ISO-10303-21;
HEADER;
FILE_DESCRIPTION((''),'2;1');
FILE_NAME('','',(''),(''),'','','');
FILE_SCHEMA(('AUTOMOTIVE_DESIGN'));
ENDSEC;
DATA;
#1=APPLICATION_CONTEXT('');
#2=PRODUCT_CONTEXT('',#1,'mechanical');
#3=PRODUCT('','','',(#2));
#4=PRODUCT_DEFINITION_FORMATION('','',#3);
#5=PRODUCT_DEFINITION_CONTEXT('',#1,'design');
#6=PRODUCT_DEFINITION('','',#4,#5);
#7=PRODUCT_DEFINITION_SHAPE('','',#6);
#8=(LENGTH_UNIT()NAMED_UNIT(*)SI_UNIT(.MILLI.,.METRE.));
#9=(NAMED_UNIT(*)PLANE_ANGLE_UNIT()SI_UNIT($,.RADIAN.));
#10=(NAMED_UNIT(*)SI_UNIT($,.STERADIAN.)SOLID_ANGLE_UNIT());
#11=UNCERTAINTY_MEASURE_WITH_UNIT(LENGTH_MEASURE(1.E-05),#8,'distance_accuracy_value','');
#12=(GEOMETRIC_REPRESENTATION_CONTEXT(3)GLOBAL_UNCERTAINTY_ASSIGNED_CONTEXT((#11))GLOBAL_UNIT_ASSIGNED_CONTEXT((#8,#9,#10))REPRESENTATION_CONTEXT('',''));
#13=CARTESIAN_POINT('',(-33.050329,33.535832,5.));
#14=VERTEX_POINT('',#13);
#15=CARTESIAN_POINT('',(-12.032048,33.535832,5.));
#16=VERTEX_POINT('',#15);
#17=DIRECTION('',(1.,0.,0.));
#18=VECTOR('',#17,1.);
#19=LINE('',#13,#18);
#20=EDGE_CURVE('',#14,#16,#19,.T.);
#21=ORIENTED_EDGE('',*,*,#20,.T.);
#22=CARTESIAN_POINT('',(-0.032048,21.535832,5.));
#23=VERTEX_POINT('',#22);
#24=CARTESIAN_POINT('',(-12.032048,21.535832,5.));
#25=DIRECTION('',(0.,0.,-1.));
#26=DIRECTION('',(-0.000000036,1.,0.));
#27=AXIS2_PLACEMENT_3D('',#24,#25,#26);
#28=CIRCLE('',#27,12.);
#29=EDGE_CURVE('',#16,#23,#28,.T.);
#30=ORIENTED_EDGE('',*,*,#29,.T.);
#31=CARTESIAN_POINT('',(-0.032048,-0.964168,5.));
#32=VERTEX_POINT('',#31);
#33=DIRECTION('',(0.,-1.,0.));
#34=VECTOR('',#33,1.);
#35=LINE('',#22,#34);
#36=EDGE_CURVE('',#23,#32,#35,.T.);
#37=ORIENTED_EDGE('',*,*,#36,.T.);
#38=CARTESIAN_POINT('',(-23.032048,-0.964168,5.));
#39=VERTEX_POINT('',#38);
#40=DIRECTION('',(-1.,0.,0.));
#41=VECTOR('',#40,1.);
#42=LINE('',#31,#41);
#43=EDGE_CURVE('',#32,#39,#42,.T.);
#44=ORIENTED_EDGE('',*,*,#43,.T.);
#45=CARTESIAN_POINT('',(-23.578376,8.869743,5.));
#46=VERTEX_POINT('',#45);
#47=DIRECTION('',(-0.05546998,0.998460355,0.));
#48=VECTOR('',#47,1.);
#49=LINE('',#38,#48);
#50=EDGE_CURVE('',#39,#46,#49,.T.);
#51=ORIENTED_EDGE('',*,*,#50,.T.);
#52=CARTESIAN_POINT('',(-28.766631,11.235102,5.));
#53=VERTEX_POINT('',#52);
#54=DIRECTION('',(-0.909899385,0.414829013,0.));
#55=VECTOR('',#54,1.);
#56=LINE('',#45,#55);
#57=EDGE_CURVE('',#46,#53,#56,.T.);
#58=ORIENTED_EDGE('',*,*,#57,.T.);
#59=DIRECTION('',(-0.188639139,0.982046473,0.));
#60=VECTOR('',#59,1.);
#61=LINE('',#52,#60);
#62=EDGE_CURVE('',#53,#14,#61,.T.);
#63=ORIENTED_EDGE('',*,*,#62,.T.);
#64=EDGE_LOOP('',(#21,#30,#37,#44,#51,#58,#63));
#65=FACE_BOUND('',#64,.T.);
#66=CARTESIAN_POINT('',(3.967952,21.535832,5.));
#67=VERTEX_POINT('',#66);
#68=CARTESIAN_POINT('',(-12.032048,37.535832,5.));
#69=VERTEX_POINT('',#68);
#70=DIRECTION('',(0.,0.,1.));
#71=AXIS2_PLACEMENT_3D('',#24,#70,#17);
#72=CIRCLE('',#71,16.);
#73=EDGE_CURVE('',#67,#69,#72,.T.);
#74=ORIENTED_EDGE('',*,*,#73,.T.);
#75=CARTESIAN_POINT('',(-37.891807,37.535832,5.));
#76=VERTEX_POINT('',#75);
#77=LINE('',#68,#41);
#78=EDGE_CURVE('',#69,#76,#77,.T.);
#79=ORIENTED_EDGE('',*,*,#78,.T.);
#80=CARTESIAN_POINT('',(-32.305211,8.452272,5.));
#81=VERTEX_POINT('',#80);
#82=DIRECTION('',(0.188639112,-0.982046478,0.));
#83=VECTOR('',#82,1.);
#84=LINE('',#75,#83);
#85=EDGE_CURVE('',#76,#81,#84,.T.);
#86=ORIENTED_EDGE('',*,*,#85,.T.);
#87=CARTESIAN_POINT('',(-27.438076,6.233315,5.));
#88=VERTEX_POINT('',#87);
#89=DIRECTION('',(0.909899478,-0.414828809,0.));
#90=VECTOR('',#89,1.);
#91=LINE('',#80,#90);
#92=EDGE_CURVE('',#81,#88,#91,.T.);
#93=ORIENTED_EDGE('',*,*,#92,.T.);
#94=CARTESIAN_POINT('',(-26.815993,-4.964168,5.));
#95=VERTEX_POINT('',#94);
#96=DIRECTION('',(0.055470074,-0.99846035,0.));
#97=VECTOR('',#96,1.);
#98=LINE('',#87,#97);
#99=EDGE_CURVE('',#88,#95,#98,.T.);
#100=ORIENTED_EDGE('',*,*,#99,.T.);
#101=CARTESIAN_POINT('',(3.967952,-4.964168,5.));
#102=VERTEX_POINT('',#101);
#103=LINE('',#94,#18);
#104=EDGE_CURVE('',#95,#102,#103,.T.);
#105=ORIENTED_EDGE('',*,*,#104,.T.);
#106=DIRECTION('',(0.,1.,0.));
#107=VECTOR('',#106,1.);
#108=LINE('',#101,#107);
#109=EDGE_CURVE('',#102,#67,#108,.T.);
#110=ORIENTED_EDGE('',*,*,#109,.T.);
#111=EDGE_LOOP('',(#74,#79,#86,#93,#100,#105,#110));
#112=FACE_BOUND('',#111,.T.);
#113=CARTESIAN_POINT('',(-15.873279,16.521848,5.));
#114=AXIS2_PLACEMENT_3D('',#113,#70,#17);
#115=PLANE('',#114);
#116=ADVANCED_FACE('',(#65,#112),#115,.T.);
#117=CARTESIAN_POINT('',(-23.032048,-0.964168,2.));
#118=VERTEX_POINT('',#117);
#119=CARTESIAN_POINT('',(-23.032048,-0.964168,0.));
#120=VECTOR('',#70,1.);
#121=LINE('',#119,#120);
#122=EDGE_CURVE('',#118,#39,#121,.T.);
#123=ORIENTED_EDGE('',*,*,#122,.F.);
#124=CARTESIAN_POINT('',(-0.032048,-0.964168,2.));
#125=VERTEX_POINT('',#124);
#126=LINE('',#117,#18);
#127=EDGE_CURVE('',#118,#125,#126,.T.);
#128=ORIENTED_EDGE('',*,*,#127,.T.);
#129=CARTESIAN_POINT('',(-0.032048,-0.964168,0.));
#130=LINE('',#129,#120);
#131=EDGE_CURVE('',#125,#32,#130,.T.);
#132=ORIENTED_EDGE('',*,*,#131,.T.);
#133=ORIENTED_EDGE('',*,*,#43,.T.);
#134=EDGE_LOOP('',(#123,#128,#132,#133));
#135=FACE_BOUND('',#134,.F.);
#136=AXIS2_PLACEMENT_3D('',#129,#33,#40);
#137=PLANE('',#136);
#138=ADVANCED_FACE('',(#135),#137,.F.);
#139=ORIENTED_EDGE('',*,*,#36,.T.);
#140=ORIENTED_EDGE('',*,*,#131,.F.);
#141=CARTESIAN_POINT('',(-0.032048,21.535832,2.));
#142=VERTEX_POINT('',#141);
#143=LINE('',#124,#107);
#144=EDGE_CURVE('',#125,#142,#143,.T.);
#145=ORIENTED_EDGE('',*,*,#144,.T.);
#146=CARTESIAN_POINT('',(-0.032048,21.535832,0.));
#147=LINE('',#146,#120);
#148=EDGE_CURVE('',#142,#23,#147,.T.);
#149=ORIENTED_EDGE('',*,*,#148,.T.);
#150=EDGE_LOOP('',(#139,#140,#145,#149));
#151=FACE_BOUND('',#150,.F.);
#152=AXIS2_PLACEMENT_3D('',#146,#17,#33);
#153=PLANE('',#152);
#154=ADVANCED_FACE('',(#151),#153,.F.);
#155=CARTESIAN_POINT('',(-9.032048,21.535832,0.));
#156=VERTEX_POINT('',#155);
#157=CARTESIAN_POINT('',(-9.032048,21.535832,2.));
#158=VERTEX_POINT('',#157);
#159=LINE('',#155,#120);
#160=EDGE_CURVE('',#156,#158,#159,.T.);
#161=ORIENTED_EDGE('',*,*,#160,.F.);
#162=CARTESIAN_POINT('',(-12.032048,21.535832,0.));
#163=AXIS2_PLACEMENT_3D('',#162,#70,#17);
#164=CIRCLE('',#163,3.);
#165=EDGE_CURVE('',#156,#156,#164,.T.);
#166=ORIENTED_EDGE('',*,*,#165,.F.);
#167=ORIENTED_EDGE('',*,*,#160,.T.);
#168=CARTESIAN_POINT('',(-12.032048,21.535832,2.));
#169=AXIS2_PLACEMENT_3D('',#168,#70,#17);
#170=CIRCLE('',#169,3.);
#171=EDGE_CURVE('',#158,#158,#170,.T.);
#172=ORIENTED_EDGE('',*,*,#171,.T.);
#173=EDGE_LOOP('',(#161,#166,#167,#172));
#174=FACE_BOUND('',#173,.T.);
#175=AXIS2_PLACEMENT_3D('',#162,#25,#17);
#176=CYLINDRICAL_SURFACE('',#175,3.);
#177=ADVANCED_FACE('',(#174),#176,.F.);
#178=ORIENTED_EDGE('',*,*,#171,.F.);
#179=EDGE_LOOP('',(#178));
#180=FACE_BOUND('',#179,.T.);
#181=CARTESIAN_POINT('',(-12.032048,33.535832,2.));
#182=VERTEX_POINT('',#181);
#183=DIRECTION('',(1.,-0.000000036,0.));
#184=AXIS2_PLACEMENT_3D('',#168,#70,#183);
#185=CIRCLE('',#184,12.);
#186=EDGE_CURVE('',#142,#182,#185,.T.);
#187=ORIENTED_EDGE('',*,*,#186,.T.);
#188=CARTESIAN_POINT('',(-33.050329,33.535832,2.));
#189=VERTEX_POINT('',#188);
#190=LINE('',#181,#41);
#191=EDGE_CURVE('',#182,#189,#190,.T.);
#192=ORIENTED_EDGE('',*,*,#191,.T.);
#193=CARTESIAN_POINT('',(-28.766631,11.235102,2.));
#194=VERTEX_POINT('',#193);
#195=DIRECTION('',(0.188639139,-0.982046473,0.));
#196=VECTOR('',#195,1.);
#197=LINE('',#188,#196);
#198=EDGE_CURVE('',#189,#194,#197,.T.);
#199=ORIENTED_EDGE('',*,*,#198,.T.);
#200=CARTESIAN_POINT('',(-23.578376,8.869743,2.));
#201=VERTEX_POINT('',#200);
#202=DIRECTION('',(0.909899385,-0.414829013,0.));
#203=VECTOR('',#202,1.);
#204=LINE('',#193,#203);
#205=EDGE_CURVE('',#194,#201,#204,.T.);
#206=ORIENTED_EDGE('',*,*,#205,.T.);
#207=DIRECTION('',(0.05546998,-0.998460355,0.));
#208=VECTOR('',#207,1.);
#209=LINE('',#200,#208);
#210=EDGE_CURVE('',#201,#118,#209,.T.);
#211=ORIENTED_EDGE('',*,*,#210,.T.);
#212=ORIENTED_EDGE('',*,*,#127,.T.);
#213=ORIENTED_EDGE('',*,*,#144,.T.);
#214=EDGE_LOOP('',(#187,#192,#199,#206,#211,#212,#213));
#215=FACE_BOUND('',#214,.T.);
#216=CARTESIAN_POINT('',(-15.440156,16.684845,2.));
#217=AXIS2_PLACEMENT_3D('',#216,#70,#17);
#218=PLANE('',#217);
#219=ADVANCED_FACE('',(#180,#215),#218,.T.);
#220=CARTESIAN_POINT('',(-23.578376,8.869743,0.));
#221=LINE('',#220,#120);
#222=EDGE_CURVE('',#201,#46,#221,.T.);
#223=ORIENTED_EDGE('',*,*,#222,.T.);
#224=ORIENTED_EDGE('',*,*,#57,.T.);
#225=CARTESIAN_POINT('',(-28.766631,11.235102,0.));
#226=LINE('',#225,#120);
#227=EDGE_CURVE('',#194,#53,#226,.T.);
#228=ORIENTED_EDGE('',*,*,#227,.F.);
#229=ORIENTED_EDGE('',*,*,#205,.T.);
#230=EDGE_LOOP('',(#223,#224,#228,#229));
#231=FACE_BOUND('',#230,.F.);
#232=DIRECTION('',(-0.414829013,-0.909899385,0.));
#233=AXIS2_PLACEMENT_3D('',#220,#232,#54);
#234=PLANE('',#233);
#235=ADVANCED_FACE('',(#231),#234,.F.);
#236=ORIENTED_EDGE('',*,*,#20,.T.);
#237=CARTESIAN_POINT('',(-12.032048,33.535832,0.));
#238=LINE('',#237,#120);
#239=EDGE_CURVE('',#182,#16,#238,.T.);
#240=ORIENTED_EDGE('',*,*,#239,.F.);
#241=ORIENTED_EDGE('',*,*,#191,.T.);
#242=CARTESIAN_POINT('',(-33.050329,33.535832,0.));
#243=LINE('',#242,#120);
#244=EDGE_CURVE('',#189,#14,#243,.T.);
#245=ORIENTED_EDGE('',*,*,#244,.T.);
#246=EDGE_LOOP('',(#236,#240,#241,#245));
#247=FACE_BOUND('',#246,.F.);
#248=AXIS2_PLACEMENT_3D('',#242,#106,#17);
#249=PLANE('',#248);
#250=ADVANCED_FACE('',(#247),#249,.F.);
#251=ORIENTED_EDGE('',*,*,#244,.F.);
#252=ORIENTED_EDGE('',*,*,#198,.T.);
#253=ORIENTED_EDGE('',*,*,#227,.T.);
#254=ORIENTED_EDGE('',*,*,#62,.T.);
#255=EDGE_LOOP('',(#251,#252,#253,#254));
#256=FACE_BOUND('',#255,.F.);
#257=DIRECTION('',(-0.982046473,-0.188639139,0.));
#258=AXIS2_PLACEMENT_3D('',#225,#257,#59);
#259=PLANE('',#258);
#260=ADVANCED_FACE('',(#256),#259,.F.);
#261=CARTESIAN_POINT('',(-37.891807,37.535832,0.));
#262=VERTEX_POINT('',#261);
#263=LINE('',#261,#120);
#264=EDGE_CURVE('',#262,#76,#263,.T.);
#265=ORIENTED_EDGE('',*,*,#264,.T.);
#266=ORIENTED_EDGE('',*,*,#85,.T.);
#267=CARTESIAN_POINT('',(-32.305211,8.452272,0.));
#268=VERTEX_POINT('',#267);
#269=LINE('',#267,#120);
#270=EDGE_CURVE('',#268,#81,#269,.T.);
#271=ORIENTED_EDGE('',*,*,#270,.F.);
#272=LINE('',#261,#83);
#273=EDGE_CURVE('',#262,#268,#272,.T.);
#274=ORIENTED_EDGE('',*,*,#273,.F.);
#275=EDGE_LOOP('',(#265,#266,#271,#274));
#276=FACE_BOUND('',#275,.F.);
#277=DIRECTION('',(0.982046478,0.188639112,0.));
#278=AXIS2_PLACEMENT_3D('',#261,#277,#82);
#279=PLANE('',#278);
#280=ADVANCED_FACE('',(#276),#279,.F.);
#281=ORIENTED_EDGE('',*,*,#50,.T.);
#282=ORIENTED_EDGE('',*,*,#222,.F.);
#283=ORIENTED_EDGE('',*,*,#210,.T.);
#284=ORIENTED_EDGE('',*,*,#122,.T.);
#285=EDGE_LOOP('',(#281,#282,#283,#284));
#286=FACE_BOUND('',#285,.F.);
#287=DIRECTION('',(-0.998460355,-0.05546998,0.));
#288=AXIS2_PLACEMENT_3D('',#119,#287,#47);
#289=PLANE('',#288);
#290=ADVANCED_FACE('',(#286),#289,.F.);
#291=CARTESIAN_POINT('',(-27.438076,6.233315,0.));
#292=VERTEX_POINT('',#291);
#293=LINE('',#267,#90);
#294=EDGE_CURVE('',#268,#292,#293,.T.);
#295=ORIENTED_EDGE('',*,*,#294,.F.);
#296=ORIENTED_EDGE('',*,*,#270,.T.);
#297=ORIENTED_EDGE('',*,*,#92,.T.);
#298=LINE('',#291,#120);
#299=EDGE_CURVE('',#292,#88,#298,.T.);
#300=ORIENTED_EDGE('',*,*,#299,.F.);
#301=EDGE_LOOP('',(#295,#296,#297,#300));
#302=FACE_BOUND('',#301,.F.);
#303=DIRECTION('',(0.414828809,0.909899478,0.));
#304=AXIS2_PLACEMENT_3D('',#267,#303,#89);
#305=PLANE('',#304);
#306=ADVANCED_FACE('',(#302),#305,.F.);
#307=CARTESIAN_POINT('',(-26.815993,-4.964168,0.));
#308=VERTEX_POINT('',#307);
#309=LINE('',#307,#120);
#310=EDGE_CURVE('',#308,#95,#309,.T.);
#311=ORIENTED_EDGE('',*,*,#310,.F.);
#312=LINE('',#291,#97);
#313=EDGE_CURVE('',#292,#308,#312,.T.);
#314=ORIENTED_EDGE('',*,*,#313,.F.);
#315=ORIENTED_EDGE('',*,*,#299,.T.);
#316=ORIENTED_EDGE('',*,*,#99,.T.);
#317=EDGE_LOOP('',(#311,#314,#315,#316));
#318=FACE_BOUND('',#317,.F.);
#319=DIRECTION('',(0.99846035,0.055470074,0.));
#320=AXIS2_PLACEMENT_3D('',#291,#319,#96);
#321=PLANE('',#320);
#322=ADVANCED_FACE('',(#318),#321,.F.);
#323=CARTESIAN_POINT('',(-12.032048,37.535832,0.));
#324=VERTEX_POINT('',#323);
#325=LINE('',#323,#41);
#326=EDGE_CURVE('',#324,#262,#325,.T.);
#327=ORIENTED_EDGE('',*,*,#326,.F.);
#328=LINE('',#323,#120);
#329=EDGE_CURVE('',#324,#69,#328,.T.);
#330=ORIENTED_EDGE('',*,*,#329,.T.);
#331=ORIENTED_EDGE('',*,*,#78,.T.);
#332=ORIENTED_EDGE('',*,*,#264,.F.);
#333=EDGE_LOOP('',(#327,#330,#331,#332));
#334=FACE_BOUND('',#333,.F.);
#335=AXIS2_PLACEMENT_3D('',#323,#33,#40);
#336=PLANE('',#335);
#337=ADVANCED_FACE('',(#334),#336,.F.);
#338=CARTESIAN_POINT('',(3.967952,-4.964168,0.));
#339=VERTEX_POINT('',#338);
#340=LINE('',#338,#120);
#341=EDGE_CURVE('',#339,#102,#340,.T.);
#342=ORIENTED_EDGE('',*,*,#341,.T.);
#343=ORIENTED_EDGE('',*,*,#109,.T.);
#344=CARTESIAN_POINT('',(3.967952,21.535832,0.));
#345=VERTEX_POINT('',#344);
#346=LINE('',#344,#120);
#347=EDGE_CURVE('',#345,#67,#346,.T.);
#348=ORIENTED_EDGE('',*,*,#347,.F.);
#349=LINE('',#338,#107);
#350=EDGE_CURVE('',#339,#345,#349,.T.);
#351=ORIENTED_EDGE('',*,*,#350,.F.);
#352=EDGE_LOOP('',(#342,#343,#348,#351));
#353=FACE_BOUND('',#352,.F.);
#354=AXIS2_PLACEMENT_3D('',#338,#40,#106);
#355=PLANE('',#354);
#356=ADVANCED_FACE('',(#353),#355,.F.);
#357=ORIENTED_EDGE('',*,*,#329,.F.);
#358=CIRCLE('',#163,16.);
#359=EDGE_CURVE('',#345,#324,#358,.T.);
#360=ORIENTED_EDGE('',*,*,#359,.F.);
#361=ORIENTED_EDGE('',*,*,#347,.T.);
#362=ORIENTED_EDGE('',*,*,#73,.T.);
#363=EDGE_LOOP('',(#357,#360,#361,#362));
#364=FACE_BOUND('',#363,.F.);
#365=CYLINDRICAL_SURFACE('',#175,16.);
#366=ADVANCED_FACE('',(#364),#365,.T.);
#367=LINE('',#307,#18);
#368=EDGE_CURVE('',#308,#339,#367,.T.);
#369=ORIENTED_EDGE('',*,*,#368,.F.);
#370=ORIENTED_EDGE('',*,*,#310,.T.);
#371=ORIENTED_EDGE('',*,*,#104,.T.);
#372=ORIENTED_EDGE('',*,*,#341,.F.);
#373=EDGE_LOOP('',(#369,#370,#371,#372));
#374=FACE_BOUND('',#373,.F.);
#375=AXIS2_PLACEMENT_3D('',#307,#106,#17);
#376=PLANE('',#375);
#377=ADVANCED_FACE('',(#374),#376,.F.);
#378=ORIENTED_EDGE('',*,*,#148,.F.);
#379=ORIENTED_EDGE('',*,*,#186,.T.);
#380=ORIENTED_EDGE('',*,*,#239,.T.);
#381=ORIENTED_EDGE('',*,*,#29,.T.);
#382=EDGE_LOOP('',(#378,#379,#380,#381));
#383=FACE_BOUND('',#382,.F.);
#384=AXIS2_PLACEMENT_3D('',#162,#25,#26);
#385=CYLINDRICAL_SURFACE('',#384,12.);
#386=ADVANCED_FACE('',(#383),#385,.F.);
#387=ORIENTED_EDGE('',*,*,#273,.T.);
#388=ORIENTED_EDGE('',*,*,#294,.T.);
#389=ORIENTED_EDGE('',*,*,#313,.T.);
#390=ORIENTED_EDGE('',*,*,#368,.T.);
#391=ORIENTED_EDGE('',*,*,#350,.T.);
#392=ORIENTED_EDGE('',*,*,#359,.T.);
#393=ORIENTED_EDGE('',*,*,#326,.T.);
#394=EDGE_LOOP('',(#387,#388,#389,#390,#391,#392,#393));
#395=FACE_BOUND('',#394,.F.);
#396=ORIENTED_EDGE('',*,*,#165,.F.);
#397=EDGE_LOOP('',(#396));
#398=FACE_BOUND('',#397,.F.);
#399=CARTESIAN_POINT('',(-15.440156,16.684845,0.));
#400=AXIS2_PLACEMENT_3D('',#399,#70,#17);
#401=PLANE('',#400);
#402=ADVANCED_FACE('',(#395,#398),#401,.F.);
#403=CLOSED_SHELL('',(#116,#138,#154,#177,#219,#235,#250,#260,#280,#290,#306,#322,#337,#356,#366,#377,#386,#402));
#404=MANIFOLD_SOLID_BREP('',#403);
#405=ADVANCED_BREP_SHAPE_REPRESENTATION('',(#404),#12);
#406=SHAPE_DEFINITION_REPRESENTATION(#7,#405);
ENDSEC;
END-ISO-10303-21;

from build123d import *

# Parameters (mm, degrees)
F1_DEPTH = 5
F0_R     = 3
F2_DEPTH = 2


with BuildPart() as f1:
    # F0 (on Top) → F1 (new body)
    with BuildSketch(Plane.XY):
        with BuildLine():
            Line((-37.891807, 37.535832), (-32.305211, 8.452272))
            Line((-32.305211, 8.452272), (-27.438076, 6.233315))
            Line((-27.438076, 6.233315), (-26.815993, -4.964168))
            Line((-26.815993, -4.964168), (3.967952, -4.964168))
            Line((3.967952, -4.964168), (3.967952, 21.535832))
            ThreePointArc((3.967952, 21.535832), (-0.718339, 32.84954), (-12.032048, 37.535832))
            Line((-12.032048, 37.535832), (-37.891807, 37.535832))
        make_face()
        with BuildLine():
            Line((-23.578376, 8.869743), (-28.766631, 11.235102))
            Line((-28.766631, 11.235102), (-33.050329, 33.535832))
            Line((-33.050329, 33.535832), (-12.032048, 33.535832))
            ThreePointArc((-12.032048, 33.535832), (-3.546766, 30.021113), (-0.032048, 21.535832))
            Line((-0.032048, 21.535832), (-0.032048, -0.964168))
            Line((-0.032048, -0.964168), (-23.032048, -0.964168))
            Line((-23.032048, -0.964168), (-23.578376, 8.869743))
        make_face(mode=Mode.SUBTRACT)
    extrude(amount=F1_DEPTH)

    # F0 (on Top) → F2 (join)
    with BuildSketch(Plane.XY):
        with BuildLine():
            Line((-33.050329, 33.535832), (-28.766631, 11.235102))
            Line((-28.766631, 11.235102), (-23.578376, 8.869743))
            Line((-23.578376, 8.869743), (-23.032048, -0.964168))
            Line((-23.032048, -0.964168), (-0.032048, -0.964168))
            Line((-0.032048, -0.964168), (-0.032048, 21.535832))
            ThreePointArc((-0.032048, 21.535832), (-3.546766, 30.021113), (-12.032048, 33.535832))
            Line((-12.032048, 33.535832), (-33.050329, 33.535832))
        make_face()
        with Locations((-12.032048, 21.535832)):
            Circle(F0_R, mode=Mode.SUBTRACT)
    extrude(amount=F2_DEPTH)


solid = f1.part
